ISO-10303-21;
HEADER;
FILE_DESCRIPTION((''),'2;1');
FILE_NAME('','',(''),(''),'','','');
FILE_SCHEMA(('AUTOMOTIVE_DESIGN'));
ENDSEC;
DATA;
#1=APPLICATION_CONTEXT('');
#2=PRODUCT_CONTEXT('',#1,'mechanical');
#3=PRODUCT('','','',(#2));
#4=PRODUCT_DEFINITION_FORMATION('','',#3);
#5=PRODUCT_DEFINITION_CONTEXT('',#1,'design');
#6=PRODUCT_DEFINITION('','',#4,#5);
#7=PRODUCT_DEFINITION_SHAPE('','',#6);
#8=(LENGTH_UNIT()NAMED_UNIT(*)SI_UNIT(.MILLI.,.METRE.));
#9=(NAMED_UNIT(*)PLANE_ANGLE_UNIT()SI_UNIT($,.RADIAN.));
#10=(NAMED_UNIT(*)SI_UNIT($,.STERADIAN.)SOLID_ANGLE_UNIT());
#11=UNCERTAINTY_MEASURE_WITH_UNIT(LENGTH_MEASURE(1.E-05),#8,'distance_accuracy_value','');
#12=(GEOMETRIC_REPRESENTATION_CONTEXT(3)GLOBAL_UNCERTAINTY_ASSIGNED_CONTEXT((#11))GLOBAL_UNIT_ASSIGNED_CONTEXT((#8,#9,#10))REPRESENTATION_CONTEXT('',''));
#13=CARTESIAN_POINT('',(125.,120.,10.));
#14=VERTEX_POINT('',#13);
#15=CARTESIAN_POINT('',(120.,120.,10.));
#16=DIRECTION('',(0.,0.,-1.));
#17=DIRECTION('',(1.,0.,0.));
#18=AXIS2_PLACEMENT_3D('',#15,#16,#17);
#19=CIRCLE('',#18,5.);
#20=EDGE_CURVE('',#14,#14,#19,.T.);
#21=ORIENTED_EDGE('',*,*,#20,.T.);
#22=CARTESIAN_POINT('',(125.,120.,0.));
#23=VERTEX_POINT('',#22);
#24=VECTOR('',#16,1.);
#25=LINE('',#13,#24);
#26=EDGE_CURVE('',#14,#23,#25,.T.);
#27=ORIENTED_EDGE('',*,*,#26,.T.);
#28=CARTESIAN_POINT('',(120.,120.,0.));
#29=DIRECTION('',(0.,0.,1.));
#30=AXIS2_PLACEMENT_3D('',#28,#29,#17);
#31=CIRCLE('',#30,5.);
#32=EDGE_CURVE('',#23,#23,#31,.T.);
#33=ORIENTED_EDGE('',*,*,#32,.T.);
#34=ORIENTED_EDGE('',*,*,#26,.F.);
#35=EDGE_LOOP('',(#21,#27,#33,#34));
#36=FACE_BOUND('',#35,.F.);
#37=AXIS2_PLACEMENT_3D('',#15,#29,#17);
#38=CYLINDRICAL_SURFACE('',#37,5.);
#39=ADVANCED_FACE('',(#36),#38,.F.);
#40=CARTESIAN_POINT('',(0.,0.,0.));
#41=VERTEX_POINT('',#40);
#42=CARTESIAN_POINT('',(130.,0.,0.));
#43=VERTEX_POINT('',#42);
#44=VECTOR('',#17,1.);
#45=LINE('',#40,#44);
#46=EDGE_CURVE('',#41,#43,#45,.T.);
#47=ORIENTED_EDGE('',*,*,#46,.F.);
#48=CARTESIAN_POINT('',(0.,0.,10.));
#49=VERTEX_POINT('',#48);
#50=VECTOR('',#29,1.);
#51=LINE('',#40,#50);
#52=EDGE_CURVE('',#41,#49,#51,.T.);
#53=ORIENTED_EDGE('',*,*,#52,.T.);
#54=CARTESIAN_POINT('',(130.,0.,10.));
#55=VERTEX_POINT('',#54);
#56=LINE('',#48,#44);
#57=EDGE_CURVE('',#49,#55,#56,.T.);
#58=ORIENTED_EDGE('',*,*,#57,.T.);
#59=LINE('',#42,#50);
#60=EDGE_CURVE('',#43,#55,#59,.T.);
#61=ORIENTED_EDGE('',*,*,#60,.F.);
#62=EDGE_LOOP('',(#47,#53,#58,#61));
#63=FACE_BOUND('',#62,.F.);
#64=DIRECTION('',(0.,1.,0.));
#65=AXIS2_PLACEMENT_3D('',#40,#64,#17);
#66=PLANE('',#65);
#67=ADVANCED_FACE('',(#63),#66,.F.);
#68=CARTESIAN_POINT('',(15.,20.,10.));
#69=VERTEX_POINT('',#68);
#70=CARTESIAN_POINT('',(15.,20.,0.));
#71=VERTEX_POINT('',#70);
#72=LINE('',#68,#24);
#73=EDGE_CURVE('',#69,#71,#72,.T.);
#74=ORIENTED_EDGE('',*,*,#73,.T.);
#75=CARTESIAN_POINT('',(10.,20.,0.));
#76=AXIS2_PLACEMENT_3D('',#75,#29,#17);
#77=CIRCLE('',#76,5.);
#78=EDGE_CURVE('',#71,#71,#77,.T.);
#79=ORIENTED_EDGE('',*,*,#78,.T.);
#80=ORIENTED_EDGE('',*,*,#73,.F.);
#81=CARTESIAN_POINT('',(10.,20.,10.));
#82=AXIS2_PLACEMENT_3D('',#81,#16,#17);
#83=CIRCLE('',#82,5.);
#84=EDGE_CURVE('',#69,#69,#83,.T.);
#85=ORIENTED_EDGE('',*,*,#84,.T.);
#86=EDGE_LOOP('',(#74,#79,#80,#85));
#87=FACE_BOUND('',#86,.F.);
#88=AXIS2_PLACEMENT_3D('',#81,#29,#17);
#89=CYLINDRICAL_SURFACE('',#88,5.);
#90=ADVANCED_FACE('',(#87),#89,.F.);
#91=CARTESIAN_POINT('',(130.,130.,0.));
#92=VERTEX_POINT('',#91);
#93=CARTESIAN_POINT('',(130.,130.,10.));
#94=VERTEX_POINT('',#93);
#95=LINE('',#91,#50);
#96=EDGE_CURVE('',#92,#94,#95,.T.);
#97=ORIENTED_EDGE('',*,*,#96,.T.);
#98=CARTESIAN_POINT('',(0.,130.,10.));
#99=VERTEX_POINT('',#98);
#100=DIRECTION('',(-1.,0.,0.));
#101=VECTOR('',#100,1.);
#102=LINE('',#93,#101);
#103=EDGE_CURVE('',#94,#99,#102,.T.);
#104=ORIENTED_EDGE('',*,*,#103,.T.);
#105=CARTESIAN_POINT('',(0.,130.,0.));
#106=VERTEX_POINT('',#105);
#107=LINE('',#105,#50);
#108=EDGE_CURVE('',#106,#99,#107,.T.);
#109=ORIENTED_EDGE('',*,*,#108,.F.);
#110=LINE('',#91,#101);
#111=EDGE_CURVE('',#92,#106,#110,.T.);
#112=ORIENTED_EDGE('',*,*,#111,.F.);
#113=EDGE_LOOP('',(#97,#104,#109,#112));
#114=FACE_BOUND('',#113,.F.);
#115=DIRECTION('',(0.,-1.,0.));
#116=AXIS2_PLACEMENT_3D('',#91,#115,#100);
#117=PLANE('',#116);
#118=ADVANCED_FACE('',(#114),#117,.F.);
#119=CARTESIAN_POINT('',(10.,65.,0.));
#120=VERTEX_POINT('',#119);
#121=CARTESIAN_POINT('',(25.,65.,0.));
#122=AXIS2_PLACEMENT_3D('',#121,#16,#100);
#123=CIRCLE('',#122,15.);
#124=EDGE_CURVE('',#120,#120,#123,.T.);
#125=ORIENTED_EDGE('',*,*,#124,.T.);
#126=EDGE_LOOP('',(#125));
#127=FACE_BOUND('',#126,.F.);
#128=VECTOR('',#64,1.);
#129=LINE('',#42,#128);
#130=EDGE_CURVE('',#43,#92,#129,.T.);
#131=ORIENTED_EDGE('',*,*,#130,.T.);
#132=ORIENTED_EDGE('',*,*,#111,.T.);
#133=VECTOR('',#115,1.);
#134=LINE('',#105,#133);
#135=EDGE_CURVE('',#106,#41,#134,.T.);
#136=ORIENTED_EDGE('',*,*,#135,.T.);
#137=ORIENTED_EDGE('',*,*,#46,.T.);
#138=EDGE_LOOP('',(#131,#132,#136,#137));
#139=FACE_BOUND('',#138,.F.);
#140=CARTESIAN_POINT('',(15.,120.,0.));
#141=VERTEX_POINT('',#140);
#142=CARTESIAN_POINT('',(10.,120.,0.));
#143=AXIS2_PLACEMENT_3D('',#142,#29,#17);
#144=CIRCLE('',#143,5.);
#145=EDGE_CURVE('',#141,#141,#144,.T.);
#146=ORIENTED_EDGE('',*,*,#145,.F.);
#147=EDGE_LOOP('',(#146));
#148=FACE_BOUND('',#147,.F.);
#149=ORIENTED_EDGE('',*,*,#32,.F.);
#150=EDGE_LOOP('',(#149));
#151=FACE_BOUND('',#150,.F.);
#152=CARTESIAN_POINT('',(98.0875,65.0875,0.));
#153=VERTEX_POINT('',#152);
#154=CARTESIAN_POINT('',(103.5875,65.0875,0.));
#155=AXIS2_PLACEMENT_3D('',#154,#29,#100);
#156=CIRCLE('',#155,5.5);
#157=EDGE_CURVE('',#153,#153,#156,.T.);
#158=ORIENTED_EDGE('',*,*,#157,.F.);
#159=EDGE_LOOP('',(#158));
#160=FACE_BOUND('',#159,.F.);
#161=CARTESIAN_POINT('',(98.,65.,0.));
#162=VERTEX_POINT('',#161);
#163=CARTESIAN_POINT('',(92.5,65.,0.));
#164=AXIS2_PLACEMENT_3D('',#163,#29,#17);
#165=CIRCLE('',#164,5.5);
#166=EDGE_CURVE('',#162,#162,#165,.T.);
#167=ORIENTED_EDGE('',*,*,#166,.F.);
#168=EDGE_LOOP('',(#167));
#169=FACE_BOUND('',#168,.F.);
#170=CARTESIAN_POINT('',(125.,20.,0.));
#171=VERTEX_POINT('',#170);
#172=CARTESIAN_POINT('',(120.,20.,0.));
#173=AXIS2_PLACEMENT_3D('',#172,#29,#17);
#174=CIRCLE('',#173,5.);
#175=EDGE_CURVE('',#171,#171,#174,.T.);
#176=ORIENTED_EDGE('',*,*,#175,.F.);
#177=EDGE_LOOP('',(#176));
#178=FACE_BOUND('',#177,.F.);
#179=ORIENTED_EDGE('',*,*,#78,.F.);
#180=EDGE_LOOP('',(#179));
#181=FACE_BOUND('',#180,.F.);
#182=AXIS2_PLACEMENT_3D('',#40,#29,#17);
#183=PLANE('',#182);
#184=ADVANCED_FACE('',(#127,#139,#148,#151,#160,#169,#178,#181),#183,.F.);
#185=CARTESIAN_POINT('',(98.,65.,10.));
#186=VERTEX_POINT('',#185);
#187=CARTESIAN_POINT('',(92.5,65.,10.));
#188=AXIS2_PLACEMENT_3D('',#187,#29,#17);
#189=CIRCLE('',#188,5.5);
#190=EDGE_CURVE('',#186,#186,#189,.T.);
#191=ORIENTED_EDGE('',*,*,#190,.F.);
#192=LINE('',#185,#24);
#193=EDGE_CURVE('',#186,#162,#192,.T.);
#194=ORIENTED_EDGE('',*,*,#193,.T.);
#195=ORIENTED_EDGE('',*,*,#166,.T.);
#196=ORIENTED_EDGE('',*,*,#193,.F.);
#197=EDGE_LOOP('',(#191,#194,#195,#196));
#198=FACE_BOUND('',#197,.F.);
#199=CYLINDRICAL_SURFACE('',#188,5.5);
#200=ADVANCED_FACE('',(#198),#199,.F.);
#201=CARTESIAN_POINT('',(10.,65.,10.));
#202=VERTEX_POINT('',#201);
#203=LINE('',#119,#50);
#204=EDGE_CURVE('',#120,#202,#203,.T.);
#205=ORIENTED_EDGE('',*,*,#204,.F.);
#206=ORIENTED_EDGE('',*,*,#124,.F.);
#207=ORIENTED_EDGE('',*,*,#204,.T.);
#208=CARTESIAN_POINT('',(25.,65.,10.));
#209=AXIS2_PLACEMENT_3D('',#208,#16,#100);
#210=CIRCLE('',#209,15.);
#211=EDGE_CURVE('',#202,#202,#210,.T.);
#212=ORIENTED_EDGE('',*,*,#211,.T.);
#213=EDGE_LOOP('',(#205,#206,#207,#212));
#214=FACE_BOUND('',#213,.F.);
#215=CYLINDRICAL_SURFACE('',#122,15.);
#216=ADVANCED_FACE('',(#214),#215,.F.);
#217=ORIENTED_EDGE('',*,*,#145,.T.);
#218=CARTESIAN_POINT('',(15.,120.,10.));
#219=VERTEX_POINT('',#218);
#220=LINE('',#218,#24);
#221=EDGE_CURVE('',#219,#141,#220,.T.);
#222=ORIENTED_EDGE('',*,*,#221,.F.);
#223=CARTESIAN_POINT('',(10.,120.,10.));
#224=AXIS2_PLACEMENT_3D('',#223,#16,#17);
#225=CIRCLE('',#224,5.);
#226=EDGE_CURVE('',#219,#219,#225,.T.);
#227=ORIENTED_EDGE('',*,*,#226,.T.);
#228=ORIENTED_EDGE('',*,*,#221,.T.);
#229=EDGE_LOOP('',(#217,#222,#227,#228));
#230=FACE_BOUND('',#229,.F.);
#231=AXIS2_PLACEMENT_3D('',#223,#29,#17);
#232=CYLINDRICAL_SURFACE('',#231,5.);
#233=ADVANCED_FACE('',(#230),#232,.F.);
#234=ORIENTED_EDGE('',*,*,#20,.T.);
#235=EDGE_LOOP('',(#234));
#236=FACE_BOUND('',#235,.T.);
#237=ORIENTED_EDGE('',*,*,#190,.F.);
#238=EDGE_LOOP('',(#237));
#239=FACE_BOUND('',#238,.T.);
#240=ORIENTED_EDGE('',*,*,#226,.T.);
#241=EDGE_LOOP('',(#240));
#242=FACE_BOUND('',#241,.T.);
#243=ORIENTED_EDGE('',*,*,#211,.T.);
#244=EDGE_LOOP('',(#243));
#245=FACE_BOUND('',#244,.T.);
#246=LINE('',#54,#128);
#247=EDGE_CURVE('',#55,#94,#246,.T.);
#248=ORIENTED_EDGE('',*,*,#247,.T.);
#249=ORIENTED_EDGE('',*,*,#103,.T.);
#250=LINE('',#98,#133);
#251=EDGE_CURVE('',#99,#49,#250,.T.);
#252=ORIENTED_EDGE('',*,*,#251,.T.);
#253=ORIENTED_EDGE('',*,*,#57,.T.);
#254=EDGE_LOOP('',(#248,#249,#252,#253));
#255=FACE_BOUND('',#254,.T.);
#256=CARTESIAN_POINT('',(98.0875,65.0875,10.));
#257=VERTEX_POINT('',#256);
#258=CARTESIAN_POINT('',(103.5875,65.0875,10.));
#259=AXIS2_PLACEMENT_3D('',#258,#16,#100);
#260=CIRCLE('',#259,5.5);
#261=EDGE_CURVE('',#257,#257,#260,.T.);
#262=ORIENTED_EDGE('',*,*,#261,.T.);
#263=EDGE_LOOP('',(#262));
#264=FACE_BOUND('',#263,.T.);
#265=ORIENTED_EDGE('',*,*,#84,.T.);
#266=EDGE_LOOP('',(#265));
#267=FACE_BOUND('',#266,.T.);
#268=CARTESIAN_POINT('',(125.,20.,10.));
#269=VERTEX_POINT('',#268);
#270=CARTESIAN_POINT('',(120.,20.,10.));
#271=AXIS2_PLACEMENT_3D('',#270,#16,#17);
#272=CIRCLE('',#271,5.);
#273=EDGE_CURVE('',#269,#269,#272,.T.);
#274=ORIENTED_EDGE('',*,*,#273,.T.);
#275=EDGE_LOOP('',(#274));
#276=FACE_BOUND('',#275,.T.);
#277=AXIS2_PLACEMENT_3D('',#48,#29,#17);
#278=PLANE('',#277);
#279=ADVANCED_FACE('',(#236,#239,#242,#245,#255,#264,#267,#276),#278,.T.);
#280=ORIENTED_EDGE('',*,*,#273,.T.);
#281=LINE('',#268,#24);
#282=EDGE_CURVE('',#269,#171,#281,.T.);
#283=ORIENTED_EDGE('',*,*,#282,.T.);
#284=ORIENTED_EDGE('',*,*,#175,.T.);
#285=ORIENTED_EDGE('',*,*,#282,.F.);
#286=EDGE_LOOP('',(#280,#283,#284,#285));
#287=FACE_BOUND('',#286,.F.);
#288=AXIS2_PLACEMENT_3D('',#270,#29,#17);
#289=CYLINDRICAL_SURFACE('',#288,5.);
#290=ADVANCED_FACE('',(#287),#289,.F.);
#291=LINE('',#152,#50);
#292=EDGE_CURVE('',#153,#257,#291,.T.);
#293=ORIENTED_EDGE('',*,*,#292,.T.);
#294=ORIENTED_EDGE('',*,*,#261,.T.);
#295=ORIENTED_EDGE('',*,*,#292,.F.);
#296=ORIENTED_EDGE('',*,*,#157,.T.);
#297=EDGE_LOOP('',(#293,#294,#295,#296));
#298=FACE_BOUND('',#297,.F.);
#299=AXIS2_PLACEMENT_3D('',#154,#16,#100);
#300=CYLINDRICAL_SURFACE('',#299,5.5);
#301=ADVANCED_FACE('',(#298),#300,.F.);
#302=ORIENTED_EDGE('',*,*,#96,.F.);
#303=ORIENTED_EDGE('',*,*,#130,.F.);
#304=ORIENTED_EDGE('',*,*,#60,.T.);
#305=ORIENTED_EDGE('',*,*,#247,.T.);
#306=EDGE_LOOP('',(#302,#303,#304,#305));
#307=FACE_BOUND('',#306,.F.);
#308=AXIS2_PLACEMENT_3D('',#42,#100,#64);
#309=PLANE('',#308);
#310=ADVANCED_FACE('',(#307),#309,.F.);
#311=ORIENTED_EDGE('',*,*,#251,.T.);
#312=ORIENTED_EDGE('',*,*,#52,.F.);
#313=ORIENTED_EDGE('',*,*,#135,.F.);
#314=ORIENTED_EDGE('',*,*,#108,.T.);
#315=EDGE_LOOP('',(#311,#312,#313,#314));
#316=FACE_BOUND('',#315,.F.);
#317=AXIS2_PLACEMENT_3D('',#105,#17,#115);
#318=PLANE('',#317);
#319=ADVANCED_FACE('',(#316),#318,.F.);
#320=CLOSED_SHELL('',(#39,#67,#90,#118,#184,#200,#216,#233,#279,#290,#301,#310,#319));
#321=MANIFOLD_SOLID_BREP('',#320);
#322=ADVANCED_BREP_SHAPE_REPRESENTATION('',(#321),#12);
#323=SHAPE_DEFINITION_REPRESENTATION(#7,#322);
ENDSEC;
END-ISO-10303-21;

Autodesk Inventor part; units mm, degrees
ref_plane "YZ Plane" through (0, 0, 0) normal (1, 0, 0) x (0, 1, 0)
ref_plane "XZ Plane" through (0, 0, 0) normal (0, 1, 0) x (-1, 0, 0)
ref_plane "XY Plane" through (0, 0, 0) normal (0, 0, 1) x (1, 0, 0)
sketch "Sketch1" plane through (0, 0, 0) normal (0, 0, 1) x (1, 0, 0)
  line L0 (0, 0) -> (130, 0)
  line L1 (130, 0) -> (130, 130)
  line L2 (130, 130) -> (0, 130)
  line L3 (0, 130) -> (0, 0)
  dimension "d0" = 130
  dimension "d1" = 130
extrude "Extrusion1" add sketch "Sketch1" along normal blind 10
sketch "Sketch2" plane through (0, 0, 10) normal (0, 0, 1) x (1, 0, 0)
  line L0 (130, 130) -> (0, 130) projected
  line L1 (0, 130) -> (10, 130)
  line L2 (10, 130) -> (10, 20)
  line L3 (0, 0) -> (130, 0) projected
  line L4 (10, 20) -> (120, 20)
  line L5 (120, 20) -> (120, 130)
  line L6 (120, 130) -> (120, 10)
  line L7 (120, 10) -> (10, 10)
  line L8 (10, 10) -> (10, 120)
  arc A0 (10, 130) -> (10, 123.825) centre (10, 126.9125) ccw
  line L9 (120, 130) -> (120, 120)
  circle A1 centre (120, 120) radius 5
  circle A2 centre (10, 120) radius 5
  circle A3 centre (10, 20) radius 5
  circle A4 centre (120, 20) radius 5
  dimension "d4" = 10
  dimension "d5" = 110
  dimension "d6" = 110
  dimension "d7" = 110
  dimension "d8" = 120
  dimension "d9" = 110
  dimension "d10" = 110
  dimension "d11" = 10
  dimension "d12" = 10
  dimension "d13" = 10
  dimension "d14" = 10
  dimension "d15" = 10
extrude "Extrusion2" cut sketch "Sketch2" against normal blind 10 contours A1 L5 | L5 A1 | A2 L2 | L2 A0 A2 | A0 L2 A2 | A4 L6 L5 | L5 L4 A4 | A3 L4 L2 | L2 L8 A3 | L6 A4 L4 | L4 A3 L8 picked at (9.758, 124.2455) picked at (8.4412, 122.3255)
sketch "Sketch3" plane through (0, 0, 10) normal (0, 0, 1) x (1, 0, 0)
  line L0 (130, 0) -> (130, 130) projected
  line L1 (130, 0) -> (130, 65)
  line L2 (130, 65) -> (92.5, 65)
  circle A0 centre (92.5, 65) radius 5.5
  point P0 (0, 0)
  dimension "d18" = 65
  dimension "d19" = 37.5
  dimension "d20" = 11
extrude "Extrusion3" cut sketch "Sketch3" against normal through all
sketch "Sketch4" plane through (0, 0, 0) normal (0, 0, -1) x (-1, 0, 0)
  line L0 (0, 130) -> (0, 0) projected
  line L1 (0, 130) -> (0, 65)
  line L2 (0, 65) -> (-25, 65)
  circle A0 centre (-25, 65) radius 15
  dimension "d23" = 65
  dimension "d24" = 25
  dimension "d25" = 30
extrude "Extrusion4" cut sketch "Sketch4" against normal blind 10
sketch "Sketch5" plane through (0, 0, 0) normal (0, 0, -1) x (-1, 0, 0)
  line L0 (-128.5875, 65.0875) -> (-103.5875, 65.0875)
  circle A0 centre (-103.5875, 65.0875) radius 5.5
  point P0 (0, 0)
  dimension "d28" = 25
  dimension "d29" = 11
extrude "Extrusion5" cut sketch "Sketch5" against normal blind 11
equation "\"d30\" = d29"
properties part number "PARTIMP"
